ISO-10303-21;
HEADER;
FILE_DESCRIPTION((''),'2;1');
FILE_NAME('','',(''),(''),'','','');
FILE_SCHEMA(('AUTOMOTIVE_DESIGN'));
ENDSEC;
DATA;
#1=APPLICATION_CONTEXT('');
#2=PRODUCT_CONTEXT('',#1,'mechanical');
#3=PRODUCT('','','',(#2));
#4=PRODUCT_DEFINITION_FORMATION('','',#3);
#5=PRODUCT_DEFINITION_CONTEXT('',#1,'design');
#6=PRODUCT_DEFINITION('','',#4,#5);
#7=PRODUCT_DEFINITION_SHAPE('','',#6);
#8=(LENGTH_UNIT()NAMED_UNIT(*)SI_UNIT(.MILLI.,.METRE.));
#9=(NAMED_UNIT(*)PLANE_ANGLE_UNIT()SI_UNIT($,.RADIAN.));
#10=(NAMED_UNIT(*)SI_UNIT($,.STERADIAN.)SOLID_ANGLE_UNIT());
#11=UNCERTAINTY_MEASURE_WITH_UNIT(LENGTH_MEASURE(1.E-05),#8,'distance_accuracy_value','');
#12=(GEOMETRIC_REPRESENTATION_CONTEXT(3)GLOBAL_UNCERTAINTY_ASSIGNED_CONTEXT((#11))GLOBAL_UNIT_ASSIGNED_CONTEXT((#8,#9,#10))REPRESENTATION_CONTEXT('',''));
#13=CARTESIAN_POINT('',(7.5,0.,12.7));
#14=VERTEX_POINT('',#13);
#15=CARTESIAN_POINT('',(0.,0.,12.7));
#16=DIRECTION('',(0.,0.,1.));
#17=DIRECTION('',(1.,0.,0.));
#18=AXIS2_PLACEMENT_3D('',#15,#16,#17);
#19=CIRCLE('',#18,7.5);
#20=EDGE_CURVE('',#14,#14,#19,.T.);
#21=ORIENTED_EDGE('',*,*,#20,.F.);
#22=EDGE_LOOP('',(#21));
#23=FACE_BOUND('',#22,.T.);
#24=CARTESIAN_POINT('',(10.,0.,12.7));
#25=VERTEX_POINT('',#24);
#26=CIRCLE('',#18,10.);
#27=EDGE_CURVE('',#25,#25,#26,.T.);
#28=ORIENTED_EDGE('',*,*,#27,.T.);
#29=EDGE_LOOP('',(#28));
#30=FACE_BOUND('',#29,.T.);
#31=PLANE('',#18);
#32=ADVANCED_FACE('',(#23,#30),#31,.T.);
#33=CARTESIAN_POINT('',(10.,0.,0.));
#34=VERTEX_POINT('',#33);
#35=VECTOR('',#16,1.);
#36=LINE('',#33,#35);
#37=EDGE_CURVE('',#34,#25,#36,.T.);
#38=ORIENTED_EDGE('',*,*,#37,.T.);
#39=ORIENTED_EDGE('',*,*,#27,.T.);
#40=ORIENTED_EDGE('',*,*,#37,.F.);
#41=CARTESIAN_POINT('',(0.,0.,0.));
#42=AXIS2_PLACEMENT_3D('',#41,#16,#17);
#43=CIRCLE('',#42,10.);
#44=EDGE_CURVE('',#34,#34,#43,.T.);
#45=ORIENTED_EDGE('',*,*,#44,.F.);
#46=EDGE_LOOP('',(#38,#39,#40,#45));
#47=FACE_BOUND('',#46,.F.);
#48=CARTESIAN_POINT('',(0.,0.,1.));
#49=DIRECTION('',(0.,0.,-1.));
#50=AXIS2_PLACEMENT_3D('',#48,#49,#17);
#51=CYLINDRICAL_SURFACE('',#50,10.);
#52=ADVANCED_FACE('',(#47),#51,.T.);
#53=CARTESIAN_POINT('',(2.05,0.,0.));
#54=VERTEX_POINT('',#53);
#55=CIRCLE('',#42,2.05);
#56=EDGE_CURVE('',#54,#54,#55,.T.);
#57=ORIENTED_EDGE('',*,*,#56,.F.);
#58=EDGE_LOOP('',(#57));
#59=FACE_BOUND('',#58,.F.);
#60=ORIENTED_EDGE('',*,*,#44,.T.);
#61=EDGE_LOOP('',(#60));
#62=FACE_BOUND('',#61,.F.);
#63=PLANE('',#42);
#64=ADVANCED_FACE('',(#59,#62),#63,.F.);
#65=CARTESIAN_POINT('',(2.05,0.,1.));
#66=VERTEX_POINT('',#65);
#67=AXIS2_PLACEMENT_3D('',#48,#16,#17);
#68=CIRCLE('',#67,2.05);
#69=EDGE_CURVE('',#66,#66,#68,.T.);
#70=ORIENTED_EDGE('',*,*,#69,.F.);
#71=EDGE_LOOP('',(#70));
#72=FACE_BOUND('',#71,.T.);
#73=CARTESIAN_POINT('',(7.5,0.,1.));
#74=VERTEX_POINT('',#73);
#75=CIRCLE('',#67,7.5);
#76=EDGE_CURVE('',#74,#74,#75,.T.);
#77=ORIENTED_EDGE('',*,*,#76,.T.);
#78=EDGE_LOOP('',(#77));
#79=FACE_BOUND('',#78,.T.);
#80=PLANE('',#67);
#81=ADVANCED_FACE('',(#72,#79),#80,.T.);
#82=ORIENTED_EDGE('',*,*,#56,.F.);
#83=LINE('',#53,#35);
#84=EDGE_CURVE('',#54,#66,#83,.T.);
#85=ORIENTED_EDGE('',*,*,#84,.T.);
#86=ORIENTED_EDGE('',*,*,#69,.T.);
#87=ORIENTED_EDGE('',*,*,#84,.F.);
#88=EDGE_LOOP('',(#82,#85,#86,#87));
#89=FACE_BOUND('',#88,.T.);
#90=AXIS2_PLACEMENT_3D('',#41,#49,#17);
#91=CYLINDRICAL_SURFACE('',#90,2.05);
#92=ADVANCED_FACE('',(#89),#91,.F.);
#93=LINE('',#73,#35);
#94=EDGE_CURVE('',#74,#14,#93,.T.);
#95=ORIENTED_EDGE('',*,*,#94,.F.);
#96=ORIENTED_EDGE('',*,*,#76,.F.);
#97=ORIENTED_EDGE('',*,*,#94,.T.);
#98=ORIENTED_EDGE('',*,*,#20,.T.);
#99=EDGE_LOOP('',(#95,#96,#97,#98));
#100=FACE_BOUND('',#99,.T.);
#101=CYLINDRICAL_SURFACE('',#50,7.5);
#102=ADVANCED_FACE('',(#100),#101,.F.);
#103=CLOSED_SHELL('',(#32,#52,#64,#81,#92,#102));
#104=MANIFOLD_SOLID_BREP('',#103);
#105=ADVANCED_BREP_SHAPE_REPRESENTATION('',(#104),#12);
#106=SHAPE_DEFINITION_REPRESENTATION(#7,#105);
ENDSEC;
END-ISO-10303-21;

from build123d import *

# Parameters (mm, degrees)
SKETCH_R      = 10
SKETCH_R_2    = 2.05
PAD_DEPTH     = 1
SKETCH001_R   = 10
SKETCH001_R_2 = 7.5
PAD001_DEPTH  = 11.7


with BuildPart() as part:
    # Sketch → Pad (new body)
    with BuildSketch(Plane.XY):
        Circle(SKETCH_R)
        Circle(SKETCH_R_2, mode=Mode.SUBTRACT)
    extrude(amount=PAD_DEPTH)

    # Sketch001 (on Face4 of Pad) → Pad001 (join)
    with BuildSketch(Plane.XY.offset(1)):
        Circle(SKETCH001_R)
        Circle(SKETCH001_R_2, mode=Mode.SUBTRACT)
    extrude(amount=PAD001_DEPTH)


solid = part.part
